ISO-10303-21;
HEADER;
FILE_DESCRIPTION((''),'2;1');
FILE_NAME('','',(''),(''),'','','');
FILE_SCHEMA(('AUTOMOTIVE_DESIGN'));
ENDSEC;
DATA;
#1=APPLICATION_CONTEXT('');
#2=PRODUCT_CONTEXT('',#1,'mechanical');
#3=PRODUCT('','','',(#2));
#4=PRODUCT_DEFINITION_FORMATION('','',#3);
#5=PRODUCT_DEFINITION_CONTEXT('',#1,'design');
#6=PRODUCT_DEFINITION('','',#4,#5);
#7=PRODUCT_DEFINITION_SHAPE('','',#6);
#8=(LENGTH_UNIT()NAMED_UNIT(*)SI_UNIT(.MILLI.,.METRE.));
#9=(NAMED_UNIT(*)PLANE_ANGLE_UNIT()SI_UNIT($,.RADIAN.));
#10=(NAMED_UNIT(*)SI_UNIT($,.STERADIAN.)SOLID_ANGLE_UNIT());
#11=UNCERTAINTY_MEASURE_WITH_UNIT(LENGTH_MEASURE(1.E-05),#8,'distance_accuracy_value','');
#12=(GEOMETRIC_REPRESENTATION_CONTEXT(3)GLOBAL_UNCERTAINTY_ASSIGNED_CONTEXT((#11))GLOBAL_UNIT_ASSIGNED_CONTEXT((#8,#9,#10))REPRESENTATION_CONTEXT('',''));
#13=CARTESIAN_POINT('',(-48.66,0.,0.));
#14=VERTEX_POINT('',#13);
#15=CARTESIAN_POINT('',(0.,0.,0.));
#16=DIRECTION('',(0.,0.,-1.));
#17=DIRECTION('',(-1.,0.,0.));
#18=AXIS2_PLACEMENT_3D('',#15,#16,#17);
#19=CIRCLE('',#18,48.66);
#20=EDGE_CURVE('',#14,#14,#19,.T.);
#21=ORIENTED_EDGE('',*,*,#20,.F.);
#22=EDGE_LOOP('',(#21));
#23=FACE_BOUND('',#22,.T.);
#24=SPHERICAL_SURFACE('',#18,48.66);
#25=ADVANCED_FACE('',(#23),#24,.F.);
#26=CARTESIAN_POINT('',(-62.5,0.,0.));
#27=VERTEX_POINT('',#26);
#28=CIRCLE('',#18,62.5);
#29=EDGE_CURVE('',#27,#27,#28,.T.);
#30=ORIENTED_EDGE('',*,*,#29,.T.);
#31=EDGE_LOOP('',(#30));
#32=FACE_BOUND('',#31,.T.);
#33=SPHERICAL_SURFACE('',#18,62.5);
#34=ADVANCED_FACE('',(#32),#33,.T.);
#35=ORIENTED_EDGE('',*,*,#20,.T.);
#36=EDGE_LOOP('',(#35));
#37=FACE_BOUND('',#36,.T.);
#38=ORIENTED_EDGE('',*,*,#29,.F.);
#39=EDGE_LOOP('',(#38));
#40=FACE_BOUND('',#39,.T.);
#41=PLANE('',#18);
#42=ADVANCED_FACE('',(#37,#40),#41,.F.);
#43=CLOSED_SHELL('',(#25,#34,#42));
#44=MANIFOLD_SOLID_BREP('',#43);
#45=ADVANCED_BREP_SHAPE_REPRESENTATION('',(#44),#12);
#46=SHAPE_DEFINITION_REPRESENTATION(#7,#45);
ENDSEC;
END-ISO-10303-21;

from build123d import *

# Parameters (mm, degrees)
REVOLVE5_ANGLE     = 180
CUT_REVOLVE1_ANGLE = 180


with BuildPart() as part:
    # Sketch1 → Revolve5 (revolve)
    with BuildSketch(Plane.XY):
        with BuildLine():
            Line((0, -62.5), (0, 62.5))
            ThreePointArc((0, 62.5), (62.5, 0), (0, -62.5))
        make_face()
    revolve(axis=Axis((0, -62.5, 0), (0, 1, 0)), revolution_arc=REVOLVE5_ANGLE)

    # Sketch2 → Cut-Revolve1 (revolve, cut)
    with BuildSketch(Plane.XY):
        with BuildLine():
            Line((0, -48.66), (0, 48.66))
            ThreePointArc((0, 48.66), (48.66, 0), (0, -48.66))
        make_face()
    revolve(axis=Axis((0, -48.66, 0), (0, 1, 0)), revolution_arc=CUT_REVOLVE1_ANGLE, mode=Mode.SUBTRACT)


solid = part.part
